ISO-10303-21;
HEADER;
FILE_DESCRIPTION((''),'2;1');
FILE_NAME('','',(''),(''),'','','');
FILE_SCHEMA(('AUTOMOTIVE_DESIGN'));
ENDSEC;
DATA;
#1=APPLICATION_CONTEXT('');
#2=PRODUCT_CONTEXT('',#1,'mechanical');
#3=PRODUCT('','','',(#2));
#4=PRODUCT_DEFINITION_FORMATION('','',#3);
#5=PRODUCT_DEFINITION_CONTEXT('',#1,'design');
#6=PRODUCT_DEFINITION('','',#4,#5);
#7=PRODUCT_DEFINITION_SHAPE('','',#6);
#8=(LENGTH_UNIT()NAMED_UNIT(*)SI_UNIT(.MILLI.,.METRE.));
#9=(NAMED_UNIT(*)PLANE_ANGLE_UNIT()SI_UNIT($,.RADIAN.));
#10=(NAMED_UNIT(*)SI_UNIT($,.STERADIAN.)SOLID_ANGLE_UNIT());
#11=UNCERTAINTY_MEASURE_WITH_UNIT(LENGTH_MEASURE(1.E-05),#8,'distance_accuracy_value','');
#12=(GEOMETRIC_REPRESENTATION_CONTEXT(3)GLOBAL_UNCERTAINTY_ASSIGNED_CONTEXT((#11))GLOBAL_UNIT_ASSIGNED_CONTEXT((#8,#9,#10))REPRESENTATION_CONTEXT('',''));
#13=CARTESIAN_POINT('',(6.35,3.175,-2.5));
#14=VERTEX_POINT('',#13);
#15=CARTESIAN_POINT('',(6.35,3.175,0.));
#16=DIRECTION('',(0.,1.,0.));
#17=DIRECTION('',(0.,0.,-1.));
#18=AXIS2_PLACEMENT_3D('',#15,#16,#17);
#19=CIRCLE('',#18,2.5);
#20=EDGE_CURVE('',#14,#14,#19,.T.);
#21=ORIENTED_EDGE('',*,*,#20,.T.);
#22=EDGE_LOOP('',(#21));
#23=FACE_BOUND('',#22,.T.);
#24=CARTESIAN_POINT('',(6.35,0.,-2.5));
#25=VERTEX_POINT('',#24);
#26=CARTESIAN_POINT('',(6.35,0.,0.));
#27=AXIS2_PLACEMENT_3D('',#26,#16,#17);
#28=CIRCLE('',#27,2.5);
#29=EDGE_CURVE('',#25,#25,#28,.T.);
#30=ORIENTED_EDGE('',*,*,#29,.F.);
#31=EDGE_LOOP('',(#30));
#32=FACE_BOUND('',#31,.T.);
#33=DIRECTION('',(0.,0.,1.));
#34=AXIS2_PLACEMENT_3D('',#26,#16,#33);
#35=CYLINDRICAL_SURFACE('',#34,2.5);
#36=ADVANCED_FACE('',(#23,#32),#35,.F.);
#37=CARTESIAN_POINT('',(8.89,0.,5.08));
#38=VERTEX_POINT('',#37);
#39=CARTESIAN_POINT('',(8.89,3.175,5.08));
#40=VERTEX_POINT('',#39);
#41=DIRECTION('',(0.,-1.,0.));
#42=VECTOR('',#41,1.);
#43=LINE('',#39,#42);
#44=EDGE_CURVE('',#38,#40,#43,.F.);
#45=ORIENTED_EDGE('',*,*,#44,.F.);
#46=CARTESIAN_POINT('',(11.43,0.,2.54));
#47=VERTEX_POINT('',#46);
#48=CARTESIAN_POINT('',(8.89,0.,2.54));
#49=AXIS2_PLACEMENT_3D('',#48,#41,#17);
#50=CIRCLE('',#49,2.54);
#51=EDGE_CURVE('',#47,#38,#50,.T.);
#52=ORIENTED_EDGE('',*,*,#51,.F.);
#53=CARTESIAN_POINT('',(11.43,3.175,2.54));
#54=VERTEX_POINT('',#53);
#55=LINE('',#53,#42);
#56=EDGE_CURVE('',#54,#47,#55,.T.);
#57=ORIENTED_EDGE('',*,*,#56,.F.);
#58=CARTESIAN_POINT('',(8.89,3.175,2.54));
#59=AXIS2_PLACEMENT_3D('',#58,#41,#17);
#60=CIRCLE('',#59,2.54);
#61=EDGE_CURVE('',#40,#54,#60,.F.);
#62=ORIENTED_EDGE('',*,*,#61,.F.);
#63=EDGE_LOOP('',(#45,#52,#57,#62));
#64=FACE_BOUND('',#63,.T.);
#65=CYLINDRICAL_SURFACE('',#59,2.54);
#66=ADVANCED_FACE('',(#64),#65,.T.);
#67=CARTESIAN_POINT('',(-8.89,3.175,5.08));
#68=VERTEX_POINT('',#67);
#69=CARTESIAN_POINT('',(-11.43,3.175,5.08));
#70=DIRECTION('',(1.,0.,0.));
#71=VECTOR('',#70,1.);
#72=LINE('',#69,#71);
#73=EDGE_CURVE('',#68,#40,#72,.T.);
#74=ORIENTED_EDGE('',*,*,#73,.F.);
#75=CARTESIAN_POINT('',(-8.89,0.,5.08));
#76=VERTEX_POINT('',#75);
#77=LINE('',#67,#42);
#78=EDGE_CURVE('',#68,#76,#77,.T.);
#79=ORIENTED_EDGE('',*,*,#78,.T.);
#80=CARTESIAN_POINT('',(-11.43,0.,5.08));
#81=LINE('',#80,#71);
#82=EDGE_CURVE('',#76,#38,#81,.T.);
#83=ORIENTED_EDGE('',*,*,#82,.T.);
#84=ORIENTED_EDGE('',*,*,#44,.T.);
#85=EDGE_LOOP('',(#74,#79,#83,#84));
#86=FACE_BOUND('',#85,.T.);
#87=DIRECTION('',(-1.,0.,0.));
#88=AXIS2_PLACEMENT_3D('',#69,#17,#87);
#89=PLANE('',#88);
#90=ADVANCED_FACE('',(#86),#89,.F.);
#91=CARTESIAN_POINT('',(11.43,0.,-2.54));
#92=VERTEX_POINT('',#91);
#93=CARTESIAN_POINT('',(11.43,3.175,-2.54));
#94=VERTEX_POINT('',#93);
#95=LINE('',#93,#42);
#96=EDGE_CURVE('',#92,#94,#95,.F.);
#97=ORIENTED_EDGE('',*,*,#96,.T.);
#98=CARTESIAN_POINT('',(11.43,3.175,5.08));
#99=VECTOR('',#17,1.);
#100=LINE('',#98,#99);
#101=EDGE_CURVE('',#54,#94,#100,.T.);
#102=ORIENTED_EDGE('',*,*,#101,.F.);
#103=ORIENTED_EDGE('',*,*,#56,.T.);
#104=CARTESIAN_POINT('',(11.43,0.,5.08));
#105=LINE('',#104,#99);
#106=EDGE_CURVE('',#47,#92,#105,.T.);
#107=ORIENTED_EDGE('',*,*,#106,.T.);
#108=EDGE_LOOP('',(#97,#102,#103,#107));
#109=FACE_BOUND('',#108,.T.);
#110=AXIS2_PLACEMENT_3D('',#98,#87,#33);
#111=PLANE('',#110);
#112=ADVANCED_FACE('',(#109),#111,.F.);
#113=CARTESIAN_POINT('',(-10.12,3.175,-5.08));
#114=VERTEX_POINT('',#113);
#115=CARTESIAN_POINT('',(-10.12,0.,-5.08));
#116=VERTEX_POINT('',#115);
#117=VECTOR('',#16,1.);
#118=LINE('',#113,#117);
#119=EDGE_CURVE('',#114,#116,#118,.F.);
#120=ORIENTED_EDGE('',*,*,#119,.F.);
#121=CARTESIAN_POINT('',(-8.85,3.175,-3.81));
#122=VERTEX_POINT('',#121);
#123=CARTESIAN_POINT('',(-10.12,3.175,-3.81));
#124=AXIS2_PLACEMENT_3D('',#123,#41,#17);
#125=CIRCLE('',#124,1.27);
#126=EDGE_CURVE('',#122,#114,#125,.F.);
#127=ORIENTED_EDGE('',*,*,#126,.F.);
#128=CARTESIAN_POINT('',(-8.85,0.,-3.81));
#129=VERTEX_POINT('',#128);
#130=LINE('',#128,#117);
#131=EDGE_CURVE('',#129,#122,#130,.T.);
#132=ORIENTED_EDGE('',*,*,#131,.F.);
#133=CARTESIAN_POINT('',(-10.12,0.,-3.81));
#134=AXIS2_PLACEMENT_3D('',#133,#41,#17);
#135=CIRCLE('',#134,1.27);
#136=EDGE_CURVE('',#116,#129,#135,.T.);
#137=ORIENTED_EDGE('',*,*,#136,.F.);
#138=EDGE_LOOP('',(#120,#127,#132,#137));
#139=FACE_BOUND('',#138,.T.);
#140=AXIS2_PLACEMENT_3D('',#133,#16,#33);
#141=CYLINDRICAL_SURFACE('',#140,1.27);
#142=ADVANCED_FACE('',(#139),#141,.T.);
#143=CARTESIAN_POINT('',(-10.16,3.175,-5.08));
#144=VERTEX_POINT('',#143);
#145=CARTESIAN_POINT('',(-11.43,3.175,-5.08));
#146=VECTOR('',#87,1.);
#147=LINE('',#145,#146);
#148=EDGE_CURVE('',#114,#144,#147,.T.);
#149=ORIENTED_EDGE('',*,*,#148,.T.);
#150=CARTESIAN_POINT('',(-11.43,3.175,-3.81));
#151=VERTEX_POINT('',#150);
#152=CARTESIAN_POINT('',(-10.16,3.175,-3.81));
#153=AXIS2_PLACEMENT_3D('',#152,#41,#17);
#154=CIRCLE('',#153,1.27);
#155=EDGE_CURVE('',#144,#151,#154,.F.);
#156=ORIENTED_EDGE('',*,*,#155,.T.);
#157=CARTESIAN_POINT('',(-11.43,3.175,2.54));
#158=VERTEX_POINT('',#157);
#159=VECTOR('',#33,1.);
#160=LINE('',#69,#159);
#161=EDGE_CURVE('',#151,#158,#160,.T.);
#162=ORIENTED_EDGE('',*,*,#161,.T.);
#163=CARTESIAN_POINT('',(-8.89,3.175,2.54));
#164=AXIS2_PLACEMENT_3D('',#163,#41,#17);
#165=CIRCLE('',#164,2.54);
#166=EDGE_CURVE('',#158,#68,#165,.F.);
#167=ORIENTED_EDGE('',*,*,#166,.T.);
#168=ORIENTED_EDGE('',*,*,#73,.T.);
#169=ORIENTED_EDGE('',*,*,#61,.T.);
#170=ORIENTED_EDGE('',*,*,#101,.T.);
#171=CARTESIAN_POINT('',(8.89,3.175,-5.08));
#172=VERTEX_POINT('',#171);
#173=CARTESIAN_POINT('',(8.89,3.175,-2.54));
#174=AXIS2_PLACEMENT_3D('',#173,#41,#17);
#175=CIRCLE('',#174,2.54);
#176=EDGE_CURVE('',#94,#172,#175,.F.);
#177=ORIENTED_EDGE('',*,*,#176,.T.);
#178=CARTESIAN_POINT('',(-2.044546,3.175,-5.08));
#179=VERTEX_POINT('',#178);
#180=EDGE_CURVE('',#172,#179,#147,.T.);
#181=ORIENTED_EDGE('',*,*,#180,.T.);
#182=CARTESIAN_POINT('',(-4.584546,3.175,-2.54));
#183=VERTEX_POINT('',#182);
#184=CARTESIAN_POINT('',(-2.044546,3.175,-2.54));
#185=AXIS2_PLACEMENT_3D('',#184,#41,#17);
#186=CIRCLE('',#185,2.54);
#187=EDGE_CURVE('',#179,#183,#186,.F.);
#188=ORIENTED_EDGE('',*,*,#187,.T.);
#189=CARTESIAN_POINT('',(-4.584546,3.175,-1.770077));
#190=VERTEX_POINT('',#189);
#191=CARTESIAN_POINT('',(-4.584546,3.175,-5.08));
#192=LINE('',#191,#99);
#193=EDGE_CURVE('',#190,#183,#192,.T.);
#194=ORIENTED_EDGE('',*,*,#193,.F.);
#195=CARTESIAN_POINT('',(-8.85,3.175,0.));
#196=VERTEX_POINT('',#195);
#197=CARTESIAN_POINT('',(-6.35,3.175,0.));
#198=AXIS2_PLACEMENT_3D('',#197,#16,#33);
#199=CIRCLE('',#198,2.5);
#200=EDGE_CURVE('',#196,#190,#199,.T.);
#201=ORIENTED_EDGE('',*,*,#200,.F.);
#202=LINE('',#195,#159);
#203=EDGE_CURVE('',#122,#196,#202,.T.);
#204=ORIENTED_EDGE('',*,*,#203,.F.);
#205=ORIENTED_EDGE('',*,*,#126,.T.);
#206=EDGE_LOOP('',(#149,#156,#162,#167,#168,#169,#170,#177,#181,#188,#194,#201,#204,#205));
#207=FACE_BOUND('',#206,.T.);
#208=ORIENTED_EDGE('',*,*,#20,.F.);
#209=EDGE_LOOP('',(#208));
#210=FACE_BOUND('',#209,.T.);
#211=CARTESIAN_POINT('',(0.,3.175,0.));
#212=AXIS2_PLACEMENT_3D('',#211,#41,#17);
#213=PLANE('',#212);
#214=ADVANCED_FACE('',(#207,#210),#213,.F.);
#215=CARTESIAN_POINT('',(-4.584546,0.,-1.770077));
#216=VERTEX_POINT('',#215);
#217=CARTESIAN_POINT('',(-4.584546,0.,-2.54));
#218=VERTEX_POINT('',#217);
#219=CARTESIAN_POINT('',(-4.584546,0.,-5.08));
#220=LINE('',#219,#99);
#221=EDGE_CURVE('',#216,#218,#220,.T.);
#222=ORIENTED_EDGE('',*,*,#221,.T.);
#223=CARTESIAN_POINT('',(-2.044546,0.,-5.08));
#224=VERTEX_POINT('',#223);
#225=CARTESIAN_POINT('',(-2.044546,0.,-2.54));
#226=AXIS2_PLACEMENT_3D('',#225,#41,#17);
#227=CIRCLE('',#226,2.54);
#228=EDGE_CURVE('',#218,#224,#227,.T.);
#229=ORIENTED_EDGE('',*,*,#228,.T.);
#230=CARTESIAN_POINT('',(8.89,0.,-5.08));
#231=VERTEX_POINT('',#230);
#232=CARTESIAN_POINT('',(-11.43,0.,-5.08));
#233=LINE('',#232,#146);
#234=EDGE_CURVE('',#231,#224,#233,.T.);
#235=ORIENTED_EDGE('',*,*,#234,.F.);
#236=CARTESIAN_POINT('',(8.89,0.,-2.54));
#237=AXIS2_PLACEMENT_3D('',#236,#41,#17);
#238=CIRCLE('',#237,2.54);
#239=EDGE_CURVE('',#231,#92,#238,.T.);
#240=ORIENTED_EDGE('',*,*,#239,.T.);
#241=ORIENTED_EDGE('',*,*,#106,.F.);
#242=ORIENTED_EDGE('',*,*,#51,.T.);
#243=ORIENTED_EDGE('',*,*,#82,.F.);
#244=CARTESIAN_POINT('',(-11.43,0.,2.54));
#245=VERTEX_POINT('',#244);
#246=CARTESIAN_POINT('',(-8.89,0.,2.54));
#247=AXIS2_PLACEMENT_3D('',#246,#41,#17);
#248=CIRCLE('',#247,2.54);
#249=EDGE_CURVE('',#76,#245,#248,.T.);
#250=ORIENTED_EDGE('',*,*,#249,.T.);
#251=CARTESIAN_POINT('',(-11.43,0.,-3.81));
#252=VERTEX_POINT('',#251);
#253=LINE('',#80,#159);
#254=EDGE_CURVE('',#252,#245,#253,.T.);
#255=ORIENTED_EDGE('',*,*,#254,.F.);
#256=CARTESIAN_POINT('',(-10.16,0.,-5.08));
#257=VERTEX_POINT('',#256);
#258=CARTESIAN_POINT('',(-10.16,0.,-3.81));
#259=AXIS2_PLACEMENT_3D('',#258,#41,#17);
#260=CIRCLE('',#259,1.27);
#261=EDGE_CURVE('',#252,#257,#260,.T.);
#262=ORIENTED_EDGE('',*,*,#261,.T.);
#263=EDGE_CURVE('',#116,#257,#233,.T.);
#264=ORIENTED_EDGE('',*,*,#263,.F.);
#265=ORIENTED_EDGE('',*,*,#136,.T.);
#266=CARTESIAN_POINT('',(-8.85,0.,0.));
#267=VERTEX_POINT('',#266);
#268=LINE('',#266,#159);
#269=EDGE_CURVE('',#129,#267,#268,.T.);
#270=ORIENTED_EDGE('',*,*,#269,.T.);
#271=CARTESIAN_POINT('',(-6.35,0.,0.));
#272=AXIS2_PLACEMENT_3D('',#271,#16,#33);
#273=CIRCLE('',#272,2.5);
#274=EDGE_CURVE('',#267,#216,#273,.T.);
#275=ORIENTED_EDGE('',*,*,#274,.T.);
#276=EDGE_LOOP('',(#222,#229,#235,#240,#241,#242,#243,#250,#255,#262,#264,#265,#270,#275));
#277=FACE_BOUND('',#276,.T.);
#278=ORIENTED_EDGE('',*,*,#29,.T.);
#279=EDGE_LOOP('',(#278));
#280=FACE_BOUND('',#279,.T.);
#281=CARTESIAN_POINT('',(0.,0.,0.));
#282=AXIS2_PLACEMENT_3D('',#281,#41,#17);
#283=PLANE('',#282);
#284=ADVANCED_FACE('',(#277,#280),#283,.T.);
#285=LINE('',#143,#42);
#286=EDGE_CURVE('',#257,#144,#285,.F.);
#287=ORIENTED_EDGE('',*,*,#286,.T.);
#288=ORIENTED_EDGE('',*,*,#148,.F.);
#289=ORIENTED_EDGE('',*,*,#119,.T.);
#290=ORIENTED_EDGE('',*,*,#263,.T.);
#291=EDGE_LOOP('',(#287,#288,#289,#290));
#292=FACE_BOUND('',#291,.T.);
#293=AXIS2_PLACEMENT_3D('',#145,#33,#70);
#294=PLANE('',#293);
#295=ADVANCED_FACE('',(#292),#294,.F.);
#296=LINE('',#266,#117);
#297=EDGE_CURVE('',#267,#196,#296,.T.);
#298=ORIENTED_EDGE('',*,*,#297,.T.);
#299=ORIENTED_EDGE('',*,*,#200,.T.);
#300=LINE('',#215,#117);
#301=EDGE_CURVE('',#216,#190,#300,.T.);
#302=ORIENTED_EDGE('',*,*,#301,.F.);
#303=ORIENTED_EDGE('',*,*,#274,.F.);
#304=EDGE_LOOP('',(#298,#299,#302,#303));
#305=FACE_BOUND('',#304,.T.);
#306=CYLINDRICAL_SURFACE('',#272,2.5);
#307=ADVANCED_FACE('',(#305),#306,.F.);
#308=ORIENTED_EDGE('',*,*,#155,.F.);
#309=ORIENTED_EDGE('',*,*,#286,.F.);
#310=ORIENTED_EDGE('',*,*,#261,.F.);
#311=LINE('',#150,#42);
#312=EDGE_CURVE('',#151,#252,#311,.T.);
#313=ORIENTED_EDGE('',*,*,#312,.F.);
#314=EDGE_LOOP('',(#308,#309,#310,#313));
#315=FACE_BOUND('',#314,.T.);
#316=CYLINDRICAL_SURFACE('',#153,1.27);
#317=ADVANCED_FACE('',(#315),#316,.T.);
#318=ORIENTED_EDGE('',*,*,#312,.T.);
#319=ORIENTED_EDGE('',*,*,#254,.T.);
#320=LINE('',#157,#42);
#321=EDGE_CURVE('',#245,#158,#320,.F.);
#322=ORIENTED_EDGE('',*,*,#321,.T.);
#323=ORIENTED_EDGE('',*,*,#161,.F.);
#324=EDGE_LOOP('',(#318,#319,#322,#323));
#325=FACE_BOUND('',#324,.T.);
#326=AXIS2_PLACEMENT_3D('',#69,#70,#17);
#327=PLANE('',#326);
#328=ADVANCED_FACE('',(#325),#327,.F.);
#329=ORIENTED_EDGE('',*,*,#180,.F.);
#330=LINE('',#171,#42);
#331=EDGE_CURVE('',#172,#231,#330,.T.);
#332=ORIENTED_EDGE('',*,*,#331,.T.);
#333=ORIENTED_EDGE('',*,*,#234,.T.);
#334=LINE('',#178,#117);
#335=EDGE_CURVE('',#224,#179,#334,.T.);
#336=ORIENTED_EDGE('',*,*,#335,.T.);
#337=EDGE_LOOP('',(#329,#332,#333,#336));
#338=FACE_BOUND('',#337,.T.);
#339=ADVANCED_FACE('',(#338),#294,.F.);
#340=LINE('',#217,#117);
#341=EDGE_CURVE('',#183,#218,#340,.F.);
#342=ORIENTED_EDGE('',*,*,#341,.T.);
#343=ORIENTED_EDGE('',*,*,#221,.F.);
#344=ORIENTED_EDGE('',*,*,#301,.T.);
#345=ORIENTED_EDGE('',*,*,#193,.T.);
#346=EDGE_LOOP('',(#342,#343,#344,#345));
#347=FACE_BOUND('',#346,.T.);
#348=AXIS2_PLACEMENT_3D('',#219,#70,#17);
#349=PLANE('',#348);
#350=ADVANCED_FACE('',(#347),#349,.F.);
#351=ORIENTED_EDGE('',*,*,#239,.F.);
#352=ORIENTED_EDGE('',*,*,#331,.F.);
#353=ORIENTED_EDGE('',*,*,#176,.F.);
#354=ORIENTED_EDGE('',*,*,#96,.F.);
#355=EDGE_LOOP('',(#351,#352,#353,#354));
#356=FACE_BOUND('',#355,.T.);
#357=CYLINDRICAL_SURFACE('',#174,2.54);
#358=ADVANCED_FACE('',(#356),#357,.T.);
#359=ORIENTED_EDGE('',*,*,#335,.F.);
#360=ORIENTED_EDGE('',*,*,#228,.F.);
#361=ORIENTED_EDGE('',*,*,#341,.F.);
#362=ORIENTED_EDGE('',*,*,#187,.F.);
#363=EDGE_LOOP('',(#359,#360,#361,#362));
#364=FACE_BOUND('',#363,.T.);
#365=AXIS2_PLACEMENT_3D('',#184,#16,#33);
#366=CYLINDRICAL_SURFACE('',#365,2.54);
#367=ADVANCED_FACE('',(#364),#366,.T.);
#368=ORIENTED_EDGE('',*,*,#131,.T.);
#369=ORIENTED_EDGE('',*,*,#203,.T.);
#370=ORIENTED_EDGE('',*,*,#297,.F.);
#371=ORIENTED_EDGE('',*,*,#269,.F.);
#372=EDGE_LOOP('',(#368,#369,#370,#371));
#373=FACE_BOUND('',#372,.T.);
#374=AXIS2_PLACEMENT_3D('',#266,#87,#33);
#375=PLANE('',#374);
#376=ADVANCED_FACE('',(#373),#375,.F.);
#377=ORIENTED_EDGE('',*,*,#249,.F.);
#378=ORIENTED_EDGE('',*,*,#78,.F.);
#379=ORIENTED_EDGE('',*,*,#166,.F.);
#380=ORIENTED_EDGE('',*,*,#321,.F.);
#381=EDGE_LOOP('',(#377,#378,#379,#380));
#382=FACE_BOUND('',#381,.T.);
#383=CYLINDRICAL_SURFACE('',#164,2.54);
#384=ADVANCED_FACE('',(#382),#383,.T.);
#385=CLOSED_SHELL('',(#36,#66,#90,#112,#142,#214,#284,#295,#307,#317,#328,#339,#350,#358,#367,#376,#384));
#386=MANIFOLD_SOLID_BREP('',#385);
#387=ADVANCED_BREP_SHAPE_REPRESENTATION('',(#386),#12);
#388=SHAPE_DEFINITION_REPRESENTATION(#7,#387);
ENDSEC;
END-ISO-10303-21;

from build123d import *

# Parameters (mm, degrees)
SKETCH1_W           = 22.86
SKETCH1_H           = 10.16
BOSS_EXTRUDE1_DEPTH = 3.175
SKETCH2_R           = 2.5
CUT_EXTRUDE1_DEPTH  = 4.175
CUT_EXTRUDE2_DEPTH  = 4.175
FILLET1_R           = 2.54
FILLET2_R           = 1.27


with BuildPart() as part:
    # Sketch1 → Boss-Extrude1 (new body)
    with BuildSketch(Plane(origin=(0, 0, 0), x_dir=(1, 0, 0), z_dir=(0, 1, 0))):
        Rectangle(SKETCH1_W, SKETCH1_H)
    extrude(amount=BOSS_EXTRUDE1_DEPTH)

    # Sketch2 → Cut-Extrude1 (cut, through all)
    with BuildSketch(Plane(origin=(0, 3.175, 0), x_dir=(1, 0, 0), z_dir=(0, 1, 0))):
        with Locations((-6.35, 0)):
            Circle(SKETCH2_R)
        with Locations((6.35, 0)):
            Circle(SKETCH2_R)
    extrude(amount=-CUT_EXTRUDE1_DEPTH, mode=Mode.SUBTRACT)

    # Sketch3 → Cut-Extrude2 (cut, through all)
    with BuildSketch(Plane(origin=(0, 3.175, 0), x_dir=(1, 0, 0), z_dir=(0, 1, 0))):
        with BuildLine():
            Line((-8.85, 0), (-8.85, 5.08))
            Line((-8.85, 5.08), (-4.584545949, 5.08))
            Line((-4.584545949, 5.08), (-4.584545949, 1.770076833))
            ThreePointArc((-4.584545949, 1.770076833), (-7.308218366, 2.30907288), (-8.85, 0))
        make_face()
    extrude(amount=-CUT_EXTRUDE2_DEPTH, mode=Mode.SUBTRACT)

    # Fillet1
    fillet1_edges = [part.edges().sort_by_distance(p)[0] for p in [
        (-4.584545949, 1.5875, -5.08),
        (11.43, 1.5875, 5.08),
        (-11.43, 1.5875, 5.08),
        (11.43, 1.5875, -5.08),
    ]]
    fillet(fillet1_edges, radius=FILLET1_R)

    # Fillet2
    fillet2_edges = [part.edges().sort_by_distance(p)[0] for p in [
        (-8.85, 1.5875, -5.08),
        (-11.43, 1.5875, -5.08),
    ]]
    fillet(fillet2_edges, radius=FILLET2_R)


solid = part.part
